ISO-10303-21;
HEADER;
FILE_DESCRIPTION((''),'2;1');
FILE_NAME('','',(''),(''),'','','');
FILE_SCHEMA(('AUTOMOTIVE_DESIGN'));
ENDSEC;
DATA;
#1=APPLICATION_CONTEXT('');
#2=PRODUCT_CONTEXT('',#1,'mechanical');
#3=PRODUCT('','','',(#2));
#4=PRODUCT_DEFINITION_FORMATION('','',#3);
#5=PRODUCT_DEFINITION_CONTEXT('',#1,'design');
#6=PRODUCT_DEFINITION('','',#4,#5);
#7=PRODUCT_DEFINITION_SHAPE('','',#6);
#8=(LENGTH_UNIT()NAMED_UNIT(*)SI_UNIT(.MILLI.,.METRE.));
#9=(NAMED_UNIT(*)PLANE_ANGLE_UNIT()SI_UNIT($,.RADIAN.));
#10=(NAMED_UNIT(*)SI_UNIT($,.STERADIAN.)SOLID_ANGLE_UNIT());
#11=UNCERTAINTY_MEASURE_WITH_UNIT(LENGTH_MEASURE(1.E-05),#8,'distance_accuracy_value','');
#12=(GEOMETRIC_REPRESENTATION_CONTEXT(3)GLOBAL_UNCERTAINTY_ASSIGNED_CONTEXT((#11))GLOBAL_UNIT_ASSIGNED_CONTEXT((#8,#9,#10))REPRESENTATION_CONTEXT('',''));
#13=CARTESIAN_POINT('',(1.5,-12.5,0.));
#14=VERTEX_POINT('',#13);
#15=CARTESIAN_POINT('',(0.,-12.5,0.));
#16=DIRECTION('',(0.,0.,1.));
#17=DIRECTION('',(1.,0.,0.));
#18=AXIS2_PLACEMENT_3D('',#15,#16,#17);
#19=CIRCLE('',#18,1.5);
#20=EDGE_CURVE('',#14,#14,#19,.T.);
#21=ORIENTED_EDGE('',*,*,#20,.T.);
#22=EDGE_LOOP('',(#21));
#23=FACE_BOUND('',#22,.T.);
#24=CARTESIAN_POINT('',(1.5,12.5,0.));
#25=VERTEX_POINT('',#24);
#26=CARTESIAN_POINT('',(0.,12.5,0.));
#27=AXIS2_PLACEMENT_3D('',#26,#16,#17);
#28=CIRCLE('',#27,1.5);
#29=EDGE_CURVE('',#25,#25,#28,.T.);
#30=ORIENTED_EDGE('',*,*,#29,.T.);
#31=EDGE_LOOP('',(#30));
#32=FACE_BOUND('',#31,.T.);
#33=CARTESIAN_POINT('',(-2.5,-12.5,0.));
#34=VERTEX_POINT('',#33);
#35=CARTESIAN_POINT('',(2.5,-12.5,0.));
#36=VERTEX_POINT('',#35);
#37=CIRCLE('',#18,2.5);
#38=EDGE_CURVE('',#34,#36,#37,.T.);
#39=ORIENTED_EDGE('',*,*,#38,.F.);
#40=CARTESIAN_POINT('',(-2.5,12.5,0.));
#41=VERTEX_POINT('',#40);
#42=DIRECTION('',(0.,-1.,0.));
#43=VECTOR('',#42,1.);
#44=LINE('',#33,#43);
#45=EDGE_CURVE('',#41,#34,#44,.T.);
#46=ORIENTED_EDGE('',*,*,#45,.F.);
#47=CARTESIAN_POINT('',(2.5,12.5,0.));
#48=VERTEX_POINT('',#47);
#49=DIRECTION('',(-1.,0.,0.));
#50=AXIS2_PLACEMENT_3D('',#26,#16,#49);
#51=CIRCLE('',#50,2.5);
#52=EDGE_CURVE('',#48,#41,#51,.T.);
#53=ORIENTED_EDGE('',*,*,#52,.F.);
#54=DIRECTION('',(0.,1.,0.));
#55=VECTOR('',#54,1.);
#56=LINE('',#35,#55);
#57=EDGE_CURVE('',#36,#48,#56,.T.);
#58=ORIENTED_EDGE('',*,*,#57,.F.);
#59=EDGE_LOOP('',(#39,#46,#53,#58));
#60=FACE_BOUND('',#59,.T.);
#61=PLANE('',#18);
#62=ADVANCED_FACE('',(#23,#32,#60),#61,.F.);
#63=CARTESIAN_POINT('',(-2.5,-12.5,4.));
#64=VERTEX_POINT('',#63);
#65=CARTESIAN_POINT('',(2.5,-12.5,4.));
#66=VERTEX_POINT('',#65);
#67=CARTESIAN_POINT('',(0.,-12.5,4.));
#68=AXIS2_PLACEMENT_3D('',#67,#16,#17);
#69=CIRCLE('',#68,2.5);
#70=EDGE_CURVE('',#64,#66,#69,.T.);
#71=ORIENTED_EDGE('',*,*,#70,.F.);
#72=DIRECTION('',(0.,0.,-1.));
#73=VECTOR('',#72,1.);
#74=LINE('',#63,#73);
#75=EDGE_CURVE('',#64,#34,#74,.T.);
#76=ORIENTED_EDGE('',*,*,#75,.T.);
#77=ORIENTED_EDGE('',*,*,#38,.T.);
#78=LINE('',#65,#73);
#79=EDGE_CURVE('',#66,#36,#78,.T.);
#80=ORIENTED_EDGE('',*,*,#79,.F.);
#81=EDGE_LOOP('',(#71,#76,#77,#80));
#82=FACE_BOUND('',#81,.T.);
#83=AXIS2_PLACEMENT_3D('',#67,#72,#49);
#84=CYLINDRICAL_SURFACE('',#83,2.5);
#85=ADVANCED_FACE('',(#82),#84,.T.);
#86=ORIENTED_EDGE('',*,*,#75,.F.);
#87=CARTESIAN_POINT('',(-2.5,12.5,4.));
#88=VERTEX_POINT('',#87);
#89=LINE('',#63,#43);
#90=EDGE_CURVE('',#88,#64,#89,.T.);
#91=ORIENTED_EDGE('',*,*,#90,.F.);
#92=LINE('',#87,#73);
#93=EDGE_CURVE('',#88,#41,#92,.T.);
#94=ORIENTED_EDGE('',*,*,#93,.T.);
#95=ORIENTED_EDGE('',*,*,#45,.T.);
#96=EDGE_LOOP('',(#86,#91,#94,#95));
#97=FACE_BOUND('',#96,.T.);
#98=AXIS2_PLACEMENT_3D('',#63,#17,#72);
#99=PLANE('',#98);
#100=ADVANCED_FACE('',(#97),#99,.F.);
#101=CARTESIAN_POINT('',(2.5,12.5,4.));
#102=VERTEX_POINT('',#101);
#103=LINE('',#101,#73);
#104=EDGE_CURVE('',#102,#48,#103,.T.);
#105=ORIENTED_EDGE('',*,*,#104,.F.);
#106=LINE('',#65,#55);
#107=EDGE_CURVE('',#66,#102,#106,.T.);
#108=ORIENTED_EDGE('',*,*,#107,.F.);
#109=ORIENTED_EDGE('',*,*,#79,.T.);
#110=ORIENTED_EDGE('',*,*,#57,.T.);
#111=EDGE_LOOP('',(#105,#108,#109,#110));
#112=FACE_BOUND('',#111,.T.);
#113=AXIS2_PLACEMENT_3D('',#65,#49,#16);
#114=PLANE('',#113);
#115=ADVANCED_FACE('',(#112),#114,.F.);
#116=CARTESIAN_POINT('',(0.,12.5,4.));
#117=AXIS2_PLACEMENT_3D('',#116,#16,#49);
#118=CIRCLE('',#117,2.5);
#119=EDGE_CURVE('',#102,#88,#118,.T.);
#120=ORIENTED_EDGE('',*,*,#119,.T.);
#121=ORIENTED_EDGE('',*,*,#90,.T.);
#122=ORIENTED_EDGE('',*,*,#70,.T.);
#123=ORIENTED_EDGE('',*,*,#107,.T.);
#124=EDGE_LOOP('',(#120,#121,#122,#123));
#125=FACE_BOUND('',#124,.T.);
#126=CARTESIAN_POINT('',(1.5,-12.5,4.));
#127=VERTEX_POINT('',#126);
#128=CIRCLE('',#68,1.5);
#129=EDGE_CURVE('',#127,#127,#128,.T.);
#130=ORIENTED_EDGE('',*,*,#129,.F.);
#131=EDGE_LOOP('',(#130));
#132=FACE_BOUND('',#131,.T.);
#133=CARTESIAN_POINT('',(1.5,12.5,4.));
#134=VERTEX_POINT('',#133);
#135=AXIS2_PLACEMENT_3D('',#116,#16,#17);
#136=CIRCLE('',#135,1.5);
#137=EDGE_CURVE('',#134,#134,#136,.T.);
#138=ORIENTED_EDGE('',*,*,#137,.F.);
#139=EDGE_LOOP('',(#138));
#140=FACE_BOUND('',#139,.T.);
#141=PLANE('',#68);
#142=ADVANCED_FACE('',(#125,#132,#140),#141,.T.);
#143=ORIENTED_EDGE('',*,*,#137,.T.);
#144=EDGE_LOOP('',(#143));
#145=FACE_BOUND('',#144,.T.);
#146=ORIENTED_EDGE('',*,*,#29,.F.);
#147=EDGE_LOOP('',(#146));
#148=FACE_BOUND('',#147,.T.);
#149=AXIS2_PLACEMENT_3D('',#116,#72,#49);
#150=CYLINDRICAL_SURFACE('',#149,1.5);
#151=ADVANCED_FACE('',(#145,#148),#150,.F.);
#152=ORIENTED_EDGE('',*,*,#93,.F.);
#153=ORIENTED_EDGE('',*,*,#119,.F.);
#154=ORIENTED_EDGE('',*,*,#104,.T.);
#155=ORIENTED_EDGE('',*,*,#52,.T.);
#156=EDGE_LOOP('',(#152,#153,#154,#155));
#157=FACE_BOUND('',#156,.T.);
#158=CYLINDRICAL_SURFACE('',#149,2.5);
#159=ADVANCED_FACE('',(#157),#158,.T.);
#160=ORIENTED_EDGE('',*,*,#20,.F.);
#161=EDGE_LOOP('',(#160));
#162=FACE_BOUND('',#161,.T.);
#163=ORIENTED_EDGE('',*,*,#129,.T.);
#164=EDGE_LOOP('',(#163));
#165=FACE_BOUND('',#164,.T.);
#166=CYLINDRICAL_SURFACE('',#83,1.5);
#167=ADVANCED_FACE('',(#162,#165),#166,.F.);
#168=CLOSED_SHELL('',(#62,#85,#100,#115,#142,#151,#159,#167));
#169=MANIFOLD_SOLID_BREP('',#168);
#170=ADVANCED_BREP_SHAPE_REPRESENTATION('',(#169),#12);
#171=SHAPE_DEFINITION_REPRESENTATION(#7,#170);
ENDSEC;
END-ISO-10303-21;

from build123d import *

# Parameters (mm, degrees)
SKETCH_1_R      = 1.5
EXTRUDE_1_DEPTH = 4


with BuildPart() as part:
    # 草图1 → 凸台-拉伸1 (new body)
    with BuildSketch(Plane.XY):
        with BuildLine():
            Line((-2.5, -12.5), (-2.5, 12.5))
            ThreePointArc((-2.5, 12.5), (0, 15), (2.5, 12.5))
            Line((2.5, 12.5), (2.5, -12.5))
            ThreePointArc((2.5, -12.5), (0, -15), (-2.5, -12.5))
        make_face()
        with Locations((0, 12.5)):
            Circle(SKETCH_1_R, mode=Mode.SUBTRACT)
        with Locations((0, -12.5)):
            Circle(SKETCH_1_R, mode=Mode.SUBTRACT)
    extrude(amount=EXTRUDE_1_DEPTH)


solid = part.part
